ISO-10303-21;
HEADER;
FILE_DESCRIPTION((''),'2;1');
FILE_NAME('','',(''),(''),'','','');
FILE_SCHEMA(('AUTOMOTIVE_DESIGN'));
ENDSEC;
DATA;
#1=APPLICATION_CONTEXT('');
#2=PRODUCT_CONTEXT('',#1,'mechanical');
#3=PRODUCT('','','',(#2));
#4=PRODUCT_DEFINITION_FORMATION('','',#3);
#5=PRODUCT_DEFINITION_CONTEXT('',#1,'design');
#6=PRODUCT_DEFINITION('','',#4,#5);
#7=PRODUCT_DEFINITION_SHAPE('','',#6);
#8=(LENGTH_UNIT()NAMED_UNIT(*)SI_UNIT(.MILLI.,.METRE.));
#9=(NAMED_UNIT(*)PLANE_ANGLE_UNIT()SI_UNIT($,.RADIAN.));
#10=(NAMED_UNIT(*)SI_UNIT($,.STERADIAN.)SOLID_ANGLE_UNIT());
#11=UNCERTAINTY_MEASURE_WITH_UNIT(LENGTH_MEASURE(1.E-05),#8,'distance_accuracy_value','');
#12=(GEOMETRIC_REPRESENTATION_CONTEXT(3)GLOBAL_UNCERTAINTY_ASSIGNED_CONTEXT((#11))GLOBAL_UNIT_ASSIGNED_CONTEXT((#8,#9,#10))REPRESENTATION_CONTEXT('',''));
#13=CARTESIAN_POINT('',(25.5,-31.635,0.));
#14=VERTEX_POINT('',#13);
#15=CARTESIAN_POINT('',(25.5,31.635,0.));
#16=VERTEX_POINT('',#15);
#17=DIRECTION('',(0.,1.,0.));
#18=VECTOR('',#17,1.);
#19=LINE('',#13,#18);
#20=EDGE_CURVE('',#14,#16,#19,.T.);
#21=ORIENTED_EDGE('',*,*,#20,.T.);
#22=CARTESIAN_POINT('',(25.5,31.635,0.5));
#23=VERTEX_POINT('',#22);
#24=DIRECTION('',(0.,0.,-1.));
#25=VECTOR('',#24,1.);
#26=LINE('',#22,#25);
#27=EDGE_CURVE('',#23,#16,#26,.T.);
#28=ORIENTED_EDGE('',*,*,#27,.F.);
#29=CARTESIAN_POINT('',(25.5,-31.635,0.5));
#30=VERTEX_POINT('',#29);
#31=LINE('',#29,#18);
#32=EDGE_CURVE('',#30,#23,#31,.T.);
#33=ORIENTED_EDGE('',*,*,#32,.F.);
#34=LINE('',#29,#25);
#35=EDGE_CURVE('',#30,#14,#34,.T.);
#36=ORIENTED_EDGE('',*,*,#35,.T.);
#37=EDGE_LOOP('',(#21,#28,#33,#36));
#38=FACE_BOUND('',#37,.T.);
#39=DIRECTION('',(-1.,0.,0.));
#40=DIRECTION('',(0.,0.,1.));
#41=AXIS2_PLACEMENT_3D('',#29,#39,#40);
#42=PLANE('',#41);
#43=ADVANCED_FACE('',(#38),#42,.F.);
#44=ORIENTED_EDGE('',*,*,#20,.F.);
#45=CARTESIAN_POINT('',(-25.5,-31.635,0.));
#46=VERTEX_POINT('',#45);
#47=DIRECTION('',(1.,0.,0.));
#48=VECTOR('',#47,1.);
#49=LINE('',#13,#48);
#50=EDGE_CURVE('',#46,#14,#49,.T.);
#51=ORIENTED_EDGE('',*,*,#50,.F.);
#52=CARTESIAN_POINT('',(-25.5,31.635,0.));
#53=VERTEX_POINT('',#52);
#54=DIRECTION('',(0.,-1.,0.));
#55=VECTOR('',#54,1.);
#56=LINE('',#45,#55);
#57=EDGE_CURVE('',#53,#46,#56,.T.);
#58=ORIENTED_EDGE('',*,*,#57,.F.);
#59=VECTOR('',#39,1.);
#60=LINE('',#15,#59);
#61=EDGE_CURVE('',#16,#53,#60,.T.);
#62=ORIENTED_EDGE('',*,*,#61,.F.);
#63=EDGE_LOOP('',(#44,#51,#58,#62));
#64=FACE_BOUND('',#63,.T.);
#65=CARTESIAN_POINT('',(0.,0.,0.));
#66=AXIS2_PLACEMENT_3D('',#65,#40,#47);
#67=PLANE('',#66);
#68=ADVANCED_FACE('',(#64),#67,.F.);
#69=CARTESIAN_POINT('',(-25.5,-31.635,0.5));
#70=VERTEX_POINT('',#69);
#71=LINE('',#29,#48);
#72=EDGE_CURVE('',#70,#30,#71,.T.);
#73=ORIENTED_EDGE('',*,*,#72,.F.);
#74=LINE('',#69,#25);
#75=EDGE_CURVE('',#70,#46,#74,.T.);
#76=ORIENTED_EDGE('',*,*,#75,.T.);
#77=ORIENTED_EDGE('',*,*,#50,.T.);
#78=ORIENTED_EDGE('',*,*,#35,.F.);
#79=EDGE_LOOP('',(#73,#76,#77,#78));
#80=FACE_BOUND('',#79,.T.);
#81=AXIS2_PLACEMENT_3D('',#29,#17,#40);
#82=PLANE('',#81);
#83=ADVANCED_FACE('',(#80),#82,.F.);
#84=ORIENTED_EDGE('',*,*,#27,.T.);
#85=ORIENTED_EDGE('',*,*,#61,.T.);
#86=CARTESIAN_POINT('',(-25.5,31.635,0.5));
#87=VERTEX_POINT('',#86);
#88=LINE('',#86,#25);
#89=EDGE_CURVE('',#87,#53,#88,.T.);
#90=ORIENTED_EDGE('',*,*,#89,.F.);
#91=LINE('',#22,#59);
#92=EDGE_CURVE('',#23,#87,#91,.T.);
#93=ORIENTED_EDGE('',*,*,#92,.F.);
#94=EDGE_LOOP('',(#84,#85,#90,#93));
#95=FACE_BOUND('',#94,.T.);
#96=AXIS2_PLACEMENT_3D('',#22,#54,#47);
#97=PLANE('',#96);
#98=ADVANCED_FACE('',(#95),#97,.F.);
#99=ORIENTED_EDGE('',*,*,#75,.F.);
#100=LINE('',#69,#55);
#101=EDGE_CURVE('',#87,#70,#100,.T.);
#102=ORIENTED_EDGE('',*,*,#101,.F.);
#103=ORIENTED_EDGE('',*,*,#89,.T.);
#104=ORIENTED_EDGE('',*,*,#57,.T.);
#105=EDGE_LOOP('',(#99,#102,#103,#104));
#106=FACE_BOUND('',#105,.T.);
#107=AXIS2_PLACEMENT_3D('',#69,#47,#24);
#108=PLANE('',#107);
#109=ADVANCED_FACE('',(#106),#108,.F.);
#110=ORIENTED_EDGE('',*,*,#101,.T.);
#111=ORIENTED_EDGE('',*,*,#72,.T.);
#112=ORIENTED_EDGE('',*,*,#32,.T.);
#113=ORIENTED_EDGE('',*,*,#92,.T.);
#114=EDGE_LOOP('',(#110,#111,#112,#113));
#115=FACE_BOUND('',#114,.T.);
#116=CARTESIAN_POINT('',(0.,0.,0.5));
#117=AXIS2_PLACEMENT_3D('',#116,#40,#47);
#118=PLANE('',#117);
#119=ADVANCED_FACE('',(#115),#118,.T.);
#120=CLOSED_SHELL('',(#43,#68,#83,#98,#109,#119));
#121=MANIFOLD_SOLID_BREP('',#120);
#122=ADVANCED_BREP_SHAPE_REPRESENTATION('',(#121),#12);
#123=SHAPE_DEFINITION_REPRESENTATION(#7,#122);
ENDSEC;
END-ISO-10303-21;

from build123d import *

# Parameters (mm, degrees)
SKETCH_1_W      = 51
SKETCH_1_H      = 63.27
EXTRUDE_1_DEPTH = 0.5


with BuildPart() as part:
    # ｽｹｯﾁ1 → ﾎﾞｽ - 押し出し1 (new body)
    with BuildSketch(Plane.XY):
        Rectangle(SKETCH_1_W, SKETCH_1_H)
    extrude(amount=EXTRUDE_1_DEPTH)


solid = part.part
